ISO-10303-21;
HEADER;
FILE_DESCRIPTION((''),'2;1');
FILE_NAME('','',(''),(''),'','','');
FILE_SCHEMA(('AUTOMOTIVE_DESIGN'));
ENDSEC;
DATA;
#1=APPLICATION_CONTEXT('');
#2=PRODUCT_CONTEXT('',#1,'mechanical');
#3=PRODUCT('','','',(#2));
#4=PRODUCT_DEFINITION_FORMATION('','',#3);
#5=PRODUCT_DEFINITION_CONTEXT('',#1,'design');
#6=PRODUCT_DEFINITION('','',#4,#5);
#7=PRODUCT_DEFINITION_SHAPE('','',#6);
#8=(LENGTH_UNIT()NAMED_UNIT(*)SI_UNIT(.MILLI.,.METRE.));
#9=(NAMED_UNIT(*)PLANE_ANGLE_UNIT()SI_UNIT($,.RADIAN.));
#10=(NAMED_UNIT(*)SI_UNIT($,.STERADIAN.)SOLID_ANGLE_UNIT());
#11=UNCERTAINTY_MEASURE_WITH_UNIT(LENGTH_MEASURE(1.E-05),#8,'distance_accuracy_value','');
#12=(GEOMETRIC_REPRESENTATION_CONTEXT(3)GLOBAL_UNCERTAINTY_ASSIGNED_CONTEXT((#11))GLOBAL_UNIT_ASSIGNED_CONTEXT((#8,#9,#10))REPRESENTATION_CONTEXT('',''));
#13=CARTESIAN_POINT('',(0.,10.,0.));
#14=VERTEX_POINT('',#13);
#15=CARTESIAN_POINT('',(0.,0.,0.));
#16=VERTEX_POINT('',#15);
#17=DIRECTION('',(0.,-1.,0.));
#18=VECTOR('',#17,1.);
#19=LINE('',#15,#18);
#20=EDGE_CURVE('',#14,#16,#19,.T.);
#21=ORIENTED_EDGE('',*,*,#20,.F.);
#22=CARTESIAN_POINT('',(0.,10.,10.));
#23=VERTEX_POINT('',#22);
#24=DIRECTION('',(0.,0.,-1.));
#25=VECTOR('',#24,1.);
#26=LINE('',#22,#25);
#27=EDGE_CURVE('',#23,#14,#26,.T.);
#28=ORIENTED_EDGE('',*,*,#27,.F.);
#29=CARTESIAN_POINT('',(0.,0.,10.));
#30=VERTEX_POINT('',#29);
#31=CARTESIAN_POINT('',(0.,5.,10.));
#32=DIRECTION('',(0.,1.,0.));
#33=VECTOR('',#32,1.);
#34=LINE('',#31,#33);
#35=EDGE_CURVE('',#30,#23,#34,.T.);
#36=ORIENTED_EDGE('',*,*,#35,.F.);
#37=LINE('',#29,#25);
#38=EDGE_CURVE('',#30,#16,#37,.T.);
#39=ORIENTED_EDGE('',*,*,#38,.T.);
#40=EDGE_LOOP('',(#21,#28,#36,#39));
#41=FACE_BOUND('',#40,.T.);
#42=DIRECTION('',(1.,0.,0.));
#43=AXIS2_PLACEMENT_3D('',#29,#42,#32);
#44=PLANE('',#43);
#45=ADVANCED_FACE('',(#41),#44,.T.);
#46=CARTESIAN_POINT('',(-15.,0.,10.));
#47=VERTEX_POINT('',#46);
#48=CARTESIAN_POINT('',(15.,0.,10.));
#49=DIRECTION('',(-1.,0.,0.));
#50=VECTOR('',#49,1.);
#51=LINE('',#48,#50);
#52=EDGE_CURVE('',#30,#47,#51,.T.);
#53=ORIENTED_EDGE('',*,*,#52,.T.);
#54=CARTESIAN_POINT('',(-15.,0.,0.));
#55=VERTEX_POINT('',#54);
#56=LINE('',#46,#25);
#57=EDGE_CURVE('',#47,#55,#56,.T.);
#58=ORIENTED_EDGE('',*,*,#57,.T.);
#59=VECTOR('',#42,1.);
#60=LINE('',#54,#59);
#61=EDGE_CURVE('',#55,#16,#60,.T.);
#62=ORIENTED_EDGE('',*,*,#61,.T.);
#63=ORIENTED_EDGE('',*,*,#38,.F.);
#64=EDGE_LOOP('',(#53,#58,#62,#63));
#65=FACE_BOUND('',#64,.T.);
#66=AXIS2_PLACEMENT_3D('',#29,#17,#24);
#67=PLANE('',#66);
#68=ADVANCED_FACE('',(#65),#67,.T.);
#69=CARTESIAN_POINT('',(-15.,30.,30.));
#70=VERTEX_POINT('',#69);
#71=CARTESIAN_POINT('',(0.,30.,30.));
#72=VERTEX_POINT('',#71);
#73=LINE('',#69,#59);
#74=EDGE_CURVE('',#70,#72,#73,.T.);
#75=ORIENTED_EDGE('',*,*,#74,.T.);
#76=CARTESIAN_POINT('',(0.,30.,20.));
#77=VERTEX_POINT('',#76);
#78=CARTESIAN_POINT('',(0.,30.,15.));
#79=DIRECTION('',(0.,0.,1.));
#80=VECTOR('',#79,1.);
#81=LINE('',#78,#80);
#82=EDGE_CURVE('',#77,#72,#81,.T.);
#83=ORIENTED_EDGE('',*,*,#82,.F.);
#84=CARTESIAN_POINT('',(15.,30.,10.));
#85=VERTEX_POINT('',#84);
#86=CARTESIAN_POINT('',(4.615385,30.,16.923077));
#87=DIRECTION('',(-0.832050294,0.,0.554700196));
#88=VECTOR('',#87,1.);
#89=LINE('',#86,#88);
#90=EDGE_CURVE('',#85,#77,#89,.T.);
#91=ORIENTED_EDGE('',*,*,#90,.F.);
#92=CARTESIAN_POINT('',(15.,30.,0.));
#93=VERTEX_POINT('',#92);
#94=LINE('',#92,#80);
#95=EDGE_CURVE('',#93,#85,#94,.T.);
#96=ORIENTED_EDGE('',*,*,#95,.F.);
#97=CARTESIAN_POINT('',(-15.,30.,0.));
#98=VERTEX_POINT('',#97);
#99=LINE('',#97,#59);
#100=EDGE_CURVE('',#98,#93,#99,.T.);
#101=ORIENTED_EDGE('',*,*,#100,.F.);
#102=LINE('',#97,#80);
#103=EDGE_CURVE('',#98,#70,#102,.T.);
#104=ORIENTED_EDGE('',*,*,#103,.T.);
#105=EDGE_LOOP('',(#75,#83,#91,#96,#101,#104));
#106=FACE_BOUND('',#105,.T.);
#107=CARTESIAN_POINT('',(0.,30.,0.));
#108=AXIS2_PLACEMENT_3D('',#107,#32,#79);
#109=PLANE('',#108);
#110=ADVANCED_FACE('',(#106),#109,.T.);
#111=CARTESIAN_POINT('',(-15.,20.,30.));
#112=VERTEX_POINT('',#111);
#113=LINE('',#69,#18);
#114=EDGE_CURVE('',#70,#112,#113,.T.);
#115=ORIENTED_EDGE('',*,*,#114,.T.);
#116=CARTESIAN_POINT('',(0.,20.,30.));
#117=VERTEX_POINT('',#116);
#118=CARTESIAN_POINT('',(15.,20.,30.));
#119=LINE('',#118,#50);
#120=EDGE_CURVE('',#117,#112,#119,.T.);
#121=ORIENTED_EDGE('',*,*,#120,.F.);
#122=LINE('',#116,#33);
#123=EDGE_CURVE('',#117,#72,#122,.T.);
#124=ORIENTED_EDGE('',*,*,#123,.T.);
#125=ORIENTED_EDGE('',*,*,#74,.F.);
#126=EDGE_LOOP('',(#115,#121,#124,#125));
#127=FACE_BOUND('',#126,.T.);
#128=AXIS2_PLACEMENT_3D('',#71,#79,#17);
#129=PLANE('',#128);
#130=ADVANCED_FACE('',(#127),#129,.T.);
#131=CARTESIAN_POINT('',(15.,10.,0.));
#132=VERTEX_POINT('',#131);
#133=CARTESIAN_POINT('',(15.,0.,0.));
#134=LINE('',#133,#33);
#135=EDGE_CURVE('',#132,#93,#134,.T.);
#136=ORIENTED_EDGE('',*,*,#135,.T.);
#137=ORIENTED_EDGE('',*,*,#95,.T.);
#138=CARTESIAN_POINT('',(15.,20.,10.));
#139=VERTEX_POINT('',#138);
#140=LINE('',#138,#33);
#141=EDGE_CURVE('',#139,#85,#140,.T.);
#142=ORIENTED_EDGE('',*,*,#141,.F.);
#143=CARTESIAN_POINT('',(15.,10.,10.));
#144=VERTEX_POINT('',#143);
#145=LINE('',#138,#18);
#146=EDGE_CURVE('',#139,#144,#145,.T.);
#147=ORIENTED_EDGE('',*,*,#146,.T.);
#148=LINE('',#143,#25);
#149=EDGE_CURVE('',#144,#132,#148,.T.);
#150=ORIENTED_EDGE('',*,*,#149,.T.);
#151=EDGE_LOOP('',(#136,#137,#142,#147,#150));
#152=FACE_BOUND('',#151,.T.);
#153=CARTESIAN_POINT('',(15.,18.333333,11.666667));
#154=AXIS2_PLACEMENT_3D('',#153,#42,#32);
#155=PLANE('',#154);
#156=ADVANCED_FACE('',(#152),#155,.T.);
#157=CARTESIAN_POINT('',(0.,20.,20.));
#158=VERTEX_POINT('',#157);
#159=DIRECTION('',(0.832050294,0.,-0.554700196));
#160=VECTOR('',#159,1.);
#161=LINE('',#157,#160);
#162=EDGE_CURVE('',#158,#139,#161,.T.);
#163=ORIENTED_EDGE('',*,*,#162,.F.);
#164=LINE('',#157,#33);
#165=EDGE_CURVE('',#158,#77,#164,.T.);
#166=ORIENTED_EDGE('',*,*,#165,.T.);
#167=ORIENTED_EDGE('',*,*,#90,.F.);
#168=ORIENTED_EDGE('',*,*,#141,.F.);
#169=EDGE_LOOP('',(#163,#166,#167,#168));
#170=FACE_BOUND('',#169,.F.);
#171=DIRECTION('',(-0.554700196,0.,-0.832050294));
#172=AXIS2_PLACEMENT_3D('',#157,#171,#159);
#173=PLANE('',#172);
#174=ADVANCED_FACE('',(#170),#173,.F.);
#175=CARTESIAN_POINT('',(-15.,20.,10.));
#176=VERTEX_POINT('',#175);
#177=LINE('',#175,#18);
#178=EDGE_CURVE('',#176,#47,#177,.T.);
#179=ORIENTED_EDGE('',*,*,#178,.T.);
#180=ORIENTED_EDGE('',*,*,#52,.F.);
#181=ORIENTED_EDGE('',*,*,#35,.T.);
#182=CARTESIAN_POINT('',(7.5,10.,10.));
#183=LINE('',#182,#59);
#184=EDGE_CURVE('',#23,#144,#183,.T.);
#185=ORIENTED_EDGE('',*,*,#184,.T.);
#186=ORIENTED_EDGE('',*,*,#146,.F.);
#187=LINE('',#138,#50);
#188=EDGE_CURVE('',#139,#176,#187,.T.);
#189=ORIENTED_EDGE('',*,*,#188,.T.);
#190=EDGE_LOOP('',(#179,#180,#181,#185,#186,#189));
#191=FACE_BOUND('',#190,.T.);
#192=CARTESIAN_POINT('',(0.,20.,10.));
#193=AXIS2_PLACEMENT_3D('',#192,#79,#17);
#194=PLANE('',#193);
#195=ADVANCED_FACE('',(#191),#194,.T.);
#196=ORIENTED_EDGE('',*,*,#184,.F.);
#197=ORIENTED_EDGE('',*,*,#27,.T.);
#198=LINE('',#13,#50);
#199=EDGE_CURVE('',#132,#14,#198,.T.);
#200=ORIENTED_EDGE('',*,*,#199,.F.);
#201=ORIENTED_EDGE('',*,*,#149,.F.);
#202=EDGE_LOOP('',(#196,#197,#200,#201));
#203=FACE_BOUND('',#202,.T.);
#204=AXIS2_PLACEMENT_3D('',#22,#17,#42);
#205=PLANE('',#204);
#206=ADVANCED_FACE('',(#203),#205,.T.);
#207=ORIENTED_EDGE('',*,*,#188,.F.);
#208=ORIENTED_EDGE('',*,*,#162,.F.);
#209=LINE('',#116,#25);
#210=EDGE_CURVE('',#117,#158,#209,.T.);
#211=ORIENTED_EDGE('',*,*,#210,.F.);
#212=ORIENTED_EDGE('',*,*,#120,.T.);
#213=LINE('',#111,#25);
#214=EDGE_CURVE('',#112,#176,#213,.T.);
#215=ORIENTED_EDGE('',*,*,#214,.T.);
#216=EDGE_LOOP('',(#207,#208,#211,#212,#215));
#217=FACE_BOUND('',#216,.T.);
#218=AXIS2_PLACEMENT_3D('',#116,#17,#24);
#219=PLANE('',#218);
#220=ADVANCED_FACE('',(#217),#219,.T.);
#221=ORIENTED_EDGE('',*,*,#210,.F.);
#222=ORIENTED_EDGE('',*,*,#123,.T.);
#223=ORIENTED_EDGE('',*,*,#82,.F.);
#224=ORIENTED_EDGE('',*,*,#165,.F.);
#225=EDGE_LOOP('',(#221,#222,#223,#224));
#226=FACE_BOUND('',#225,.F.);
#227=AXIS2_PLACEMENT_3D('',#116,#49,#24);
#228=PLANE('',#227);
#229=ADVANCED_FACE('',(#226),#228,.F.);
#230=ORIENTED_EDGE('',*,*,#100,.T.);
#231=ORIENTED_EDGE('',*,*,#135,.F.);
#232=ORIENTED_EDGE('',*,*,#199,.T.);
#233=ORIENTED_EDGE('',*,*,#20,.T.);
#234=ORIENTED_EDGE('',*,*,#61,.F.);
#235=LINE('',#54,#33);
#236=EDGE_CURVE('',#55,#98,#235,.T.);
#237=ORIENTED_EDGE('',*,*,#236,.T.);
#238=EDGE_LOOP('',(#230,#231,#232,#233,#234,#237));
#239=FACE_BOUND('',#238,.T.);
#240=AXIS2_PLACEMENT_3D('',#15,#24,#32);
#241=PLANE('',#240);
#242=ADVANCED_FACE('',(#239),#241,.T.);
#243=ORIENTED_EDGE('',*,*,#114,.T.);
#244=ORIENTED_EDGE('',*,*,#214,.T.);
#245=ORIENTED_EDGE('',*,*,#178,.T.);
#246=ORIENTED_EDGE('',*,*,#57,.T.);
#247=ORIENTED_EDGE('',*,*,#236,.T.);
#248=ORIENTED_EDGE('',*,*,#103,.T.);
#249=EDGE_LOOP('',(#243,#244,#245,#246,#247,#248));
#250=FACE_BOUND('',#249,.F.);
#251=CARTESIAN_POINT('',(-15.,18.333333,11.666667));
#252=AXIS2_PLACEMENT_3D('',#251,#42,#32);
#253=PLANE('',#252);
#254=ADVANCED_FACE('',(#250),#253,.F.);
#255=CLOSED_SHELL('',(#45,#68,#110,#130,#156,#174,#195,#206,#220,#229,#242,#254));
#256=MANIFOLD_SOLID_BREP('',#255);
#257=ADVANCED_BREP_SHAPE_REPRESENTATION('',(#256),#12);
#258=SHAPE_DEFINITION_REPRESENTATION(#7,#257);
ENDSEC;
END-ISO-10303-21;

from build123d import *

# Parameters (mm, degrees)
F1_DEPTH = 15
F3_DEPTH = 10.001
F4_W     = 15
F4_H     = 10
F5_DEPTH = 10.001


with BuildPart() as f1:
    # F0 (on Right) → F1 (new body, symmetric)
    with BuildSketch(Plane.YZ):
        Polygon((0, 10), (0, 0), (30, 0), (30, 30), (20, 30), (20, 10), align=None)
    extrude(amount=F1_DEPTH, both=True)

    # F2 (on face) → F3 (cut, through all)
    with BuildSketch(Plane.XZ.offset(-20)):
        Polygon((15, 30), (0, 30), (0, 20), (15, 10), align=None)
    extrude(amount=-F3_DEPTH, mode=Mode.SUBTRACT)

    # F4 (on face) → F5 (cut, through all)
    with BuildSketch(Plane.XY.offset(10)):
        with Locations((7.5, 5)):
            Rectangle(F4_W, F4_H)
    extrude(amount=-F5_DEPTH, mode=Mode.SUBTRACT)


solid = f1.part
